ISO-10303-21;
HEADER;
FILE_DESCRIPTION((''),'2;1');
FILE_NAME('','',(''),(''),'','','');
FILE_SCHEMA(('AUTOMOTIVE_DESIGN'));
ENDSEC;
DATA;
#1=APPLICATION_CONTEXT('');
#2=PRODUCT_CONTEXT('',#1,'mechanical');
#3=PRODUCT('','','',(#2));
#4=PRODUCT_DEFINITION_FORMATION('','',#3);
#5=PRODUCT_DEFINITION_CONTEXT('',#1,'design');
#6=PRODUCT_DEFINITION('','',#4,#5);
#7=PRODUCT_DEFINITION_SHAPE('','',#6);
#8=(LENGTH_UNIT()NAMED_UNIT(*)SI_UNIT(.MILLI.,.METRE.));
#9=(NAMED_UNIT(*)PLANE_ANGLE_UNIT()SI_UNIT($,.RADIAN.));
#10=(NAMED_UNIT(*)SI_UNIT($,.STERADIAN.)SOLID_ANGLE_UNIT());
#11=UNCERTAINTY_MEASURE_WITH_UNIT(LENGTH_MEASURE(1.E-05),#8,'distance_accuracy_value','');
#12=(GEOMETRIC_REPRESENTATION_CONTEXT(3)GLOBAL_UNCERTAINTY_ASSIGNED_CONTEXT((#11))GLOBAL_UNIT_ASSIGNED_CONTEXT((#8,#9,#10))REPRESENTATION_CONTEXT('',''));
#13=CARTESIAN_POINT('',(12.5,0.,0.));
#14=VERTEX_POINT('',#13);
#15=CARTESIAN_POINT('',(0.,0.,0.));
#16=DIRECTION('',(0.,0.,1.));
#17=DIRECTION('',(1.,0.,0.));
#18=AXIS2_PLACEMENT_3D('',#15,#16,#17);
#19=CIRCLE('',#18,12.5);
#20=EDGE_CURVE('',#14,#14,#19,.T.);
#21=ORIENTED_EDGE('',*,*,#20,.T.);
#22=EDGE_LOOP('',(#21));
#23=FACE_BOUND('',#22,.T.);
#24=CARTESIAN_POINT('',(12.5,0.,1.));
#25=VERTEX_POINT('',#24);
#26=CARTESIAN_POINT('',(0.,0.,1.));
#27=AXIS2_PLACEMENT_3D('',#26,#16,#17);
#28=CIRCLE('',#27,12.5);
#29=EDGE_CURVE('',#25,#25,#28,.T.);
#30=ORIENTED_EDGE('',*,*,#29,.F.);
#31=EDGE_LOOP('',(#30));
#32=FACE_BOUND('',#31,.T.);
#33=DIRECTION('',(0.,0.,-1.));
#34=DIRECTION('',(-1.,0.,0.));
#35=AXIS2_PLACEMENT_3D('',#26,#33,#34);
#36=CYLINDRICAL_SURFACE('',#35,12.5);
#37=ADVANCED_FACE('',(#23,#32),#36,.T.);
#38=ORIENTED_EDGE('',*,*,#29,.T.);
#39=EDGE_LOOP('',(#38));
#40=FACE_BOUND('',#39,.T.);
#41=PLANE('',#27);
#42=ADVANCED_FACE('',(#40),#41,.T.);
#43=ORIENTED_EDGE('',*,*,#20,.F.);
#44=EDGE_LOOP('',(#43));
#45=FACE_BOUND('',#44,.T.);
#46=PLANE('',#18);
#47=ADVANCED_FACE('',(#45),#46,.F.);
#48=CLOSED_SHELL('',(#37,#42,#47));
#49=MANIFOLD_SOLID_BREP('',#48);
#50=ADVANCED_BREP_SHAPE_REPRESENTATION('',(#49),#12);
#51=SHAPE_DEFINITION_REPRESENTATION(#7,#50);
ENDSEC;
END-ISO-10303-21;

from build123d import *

# Parameters (mm, degrees)
SKETCH_1_R      = 12.5
EXTRUDE_1_DEPTH = 1


with BuildPart() as part:
    # 草图1 → 凸台-拉伸1 (new body)
    with BuildSketch(Plane.XY):
        Circle(SKETCH_1_R)
    extrude(amount=EXTRUDE_1_DEPTH)


solid = part.part
